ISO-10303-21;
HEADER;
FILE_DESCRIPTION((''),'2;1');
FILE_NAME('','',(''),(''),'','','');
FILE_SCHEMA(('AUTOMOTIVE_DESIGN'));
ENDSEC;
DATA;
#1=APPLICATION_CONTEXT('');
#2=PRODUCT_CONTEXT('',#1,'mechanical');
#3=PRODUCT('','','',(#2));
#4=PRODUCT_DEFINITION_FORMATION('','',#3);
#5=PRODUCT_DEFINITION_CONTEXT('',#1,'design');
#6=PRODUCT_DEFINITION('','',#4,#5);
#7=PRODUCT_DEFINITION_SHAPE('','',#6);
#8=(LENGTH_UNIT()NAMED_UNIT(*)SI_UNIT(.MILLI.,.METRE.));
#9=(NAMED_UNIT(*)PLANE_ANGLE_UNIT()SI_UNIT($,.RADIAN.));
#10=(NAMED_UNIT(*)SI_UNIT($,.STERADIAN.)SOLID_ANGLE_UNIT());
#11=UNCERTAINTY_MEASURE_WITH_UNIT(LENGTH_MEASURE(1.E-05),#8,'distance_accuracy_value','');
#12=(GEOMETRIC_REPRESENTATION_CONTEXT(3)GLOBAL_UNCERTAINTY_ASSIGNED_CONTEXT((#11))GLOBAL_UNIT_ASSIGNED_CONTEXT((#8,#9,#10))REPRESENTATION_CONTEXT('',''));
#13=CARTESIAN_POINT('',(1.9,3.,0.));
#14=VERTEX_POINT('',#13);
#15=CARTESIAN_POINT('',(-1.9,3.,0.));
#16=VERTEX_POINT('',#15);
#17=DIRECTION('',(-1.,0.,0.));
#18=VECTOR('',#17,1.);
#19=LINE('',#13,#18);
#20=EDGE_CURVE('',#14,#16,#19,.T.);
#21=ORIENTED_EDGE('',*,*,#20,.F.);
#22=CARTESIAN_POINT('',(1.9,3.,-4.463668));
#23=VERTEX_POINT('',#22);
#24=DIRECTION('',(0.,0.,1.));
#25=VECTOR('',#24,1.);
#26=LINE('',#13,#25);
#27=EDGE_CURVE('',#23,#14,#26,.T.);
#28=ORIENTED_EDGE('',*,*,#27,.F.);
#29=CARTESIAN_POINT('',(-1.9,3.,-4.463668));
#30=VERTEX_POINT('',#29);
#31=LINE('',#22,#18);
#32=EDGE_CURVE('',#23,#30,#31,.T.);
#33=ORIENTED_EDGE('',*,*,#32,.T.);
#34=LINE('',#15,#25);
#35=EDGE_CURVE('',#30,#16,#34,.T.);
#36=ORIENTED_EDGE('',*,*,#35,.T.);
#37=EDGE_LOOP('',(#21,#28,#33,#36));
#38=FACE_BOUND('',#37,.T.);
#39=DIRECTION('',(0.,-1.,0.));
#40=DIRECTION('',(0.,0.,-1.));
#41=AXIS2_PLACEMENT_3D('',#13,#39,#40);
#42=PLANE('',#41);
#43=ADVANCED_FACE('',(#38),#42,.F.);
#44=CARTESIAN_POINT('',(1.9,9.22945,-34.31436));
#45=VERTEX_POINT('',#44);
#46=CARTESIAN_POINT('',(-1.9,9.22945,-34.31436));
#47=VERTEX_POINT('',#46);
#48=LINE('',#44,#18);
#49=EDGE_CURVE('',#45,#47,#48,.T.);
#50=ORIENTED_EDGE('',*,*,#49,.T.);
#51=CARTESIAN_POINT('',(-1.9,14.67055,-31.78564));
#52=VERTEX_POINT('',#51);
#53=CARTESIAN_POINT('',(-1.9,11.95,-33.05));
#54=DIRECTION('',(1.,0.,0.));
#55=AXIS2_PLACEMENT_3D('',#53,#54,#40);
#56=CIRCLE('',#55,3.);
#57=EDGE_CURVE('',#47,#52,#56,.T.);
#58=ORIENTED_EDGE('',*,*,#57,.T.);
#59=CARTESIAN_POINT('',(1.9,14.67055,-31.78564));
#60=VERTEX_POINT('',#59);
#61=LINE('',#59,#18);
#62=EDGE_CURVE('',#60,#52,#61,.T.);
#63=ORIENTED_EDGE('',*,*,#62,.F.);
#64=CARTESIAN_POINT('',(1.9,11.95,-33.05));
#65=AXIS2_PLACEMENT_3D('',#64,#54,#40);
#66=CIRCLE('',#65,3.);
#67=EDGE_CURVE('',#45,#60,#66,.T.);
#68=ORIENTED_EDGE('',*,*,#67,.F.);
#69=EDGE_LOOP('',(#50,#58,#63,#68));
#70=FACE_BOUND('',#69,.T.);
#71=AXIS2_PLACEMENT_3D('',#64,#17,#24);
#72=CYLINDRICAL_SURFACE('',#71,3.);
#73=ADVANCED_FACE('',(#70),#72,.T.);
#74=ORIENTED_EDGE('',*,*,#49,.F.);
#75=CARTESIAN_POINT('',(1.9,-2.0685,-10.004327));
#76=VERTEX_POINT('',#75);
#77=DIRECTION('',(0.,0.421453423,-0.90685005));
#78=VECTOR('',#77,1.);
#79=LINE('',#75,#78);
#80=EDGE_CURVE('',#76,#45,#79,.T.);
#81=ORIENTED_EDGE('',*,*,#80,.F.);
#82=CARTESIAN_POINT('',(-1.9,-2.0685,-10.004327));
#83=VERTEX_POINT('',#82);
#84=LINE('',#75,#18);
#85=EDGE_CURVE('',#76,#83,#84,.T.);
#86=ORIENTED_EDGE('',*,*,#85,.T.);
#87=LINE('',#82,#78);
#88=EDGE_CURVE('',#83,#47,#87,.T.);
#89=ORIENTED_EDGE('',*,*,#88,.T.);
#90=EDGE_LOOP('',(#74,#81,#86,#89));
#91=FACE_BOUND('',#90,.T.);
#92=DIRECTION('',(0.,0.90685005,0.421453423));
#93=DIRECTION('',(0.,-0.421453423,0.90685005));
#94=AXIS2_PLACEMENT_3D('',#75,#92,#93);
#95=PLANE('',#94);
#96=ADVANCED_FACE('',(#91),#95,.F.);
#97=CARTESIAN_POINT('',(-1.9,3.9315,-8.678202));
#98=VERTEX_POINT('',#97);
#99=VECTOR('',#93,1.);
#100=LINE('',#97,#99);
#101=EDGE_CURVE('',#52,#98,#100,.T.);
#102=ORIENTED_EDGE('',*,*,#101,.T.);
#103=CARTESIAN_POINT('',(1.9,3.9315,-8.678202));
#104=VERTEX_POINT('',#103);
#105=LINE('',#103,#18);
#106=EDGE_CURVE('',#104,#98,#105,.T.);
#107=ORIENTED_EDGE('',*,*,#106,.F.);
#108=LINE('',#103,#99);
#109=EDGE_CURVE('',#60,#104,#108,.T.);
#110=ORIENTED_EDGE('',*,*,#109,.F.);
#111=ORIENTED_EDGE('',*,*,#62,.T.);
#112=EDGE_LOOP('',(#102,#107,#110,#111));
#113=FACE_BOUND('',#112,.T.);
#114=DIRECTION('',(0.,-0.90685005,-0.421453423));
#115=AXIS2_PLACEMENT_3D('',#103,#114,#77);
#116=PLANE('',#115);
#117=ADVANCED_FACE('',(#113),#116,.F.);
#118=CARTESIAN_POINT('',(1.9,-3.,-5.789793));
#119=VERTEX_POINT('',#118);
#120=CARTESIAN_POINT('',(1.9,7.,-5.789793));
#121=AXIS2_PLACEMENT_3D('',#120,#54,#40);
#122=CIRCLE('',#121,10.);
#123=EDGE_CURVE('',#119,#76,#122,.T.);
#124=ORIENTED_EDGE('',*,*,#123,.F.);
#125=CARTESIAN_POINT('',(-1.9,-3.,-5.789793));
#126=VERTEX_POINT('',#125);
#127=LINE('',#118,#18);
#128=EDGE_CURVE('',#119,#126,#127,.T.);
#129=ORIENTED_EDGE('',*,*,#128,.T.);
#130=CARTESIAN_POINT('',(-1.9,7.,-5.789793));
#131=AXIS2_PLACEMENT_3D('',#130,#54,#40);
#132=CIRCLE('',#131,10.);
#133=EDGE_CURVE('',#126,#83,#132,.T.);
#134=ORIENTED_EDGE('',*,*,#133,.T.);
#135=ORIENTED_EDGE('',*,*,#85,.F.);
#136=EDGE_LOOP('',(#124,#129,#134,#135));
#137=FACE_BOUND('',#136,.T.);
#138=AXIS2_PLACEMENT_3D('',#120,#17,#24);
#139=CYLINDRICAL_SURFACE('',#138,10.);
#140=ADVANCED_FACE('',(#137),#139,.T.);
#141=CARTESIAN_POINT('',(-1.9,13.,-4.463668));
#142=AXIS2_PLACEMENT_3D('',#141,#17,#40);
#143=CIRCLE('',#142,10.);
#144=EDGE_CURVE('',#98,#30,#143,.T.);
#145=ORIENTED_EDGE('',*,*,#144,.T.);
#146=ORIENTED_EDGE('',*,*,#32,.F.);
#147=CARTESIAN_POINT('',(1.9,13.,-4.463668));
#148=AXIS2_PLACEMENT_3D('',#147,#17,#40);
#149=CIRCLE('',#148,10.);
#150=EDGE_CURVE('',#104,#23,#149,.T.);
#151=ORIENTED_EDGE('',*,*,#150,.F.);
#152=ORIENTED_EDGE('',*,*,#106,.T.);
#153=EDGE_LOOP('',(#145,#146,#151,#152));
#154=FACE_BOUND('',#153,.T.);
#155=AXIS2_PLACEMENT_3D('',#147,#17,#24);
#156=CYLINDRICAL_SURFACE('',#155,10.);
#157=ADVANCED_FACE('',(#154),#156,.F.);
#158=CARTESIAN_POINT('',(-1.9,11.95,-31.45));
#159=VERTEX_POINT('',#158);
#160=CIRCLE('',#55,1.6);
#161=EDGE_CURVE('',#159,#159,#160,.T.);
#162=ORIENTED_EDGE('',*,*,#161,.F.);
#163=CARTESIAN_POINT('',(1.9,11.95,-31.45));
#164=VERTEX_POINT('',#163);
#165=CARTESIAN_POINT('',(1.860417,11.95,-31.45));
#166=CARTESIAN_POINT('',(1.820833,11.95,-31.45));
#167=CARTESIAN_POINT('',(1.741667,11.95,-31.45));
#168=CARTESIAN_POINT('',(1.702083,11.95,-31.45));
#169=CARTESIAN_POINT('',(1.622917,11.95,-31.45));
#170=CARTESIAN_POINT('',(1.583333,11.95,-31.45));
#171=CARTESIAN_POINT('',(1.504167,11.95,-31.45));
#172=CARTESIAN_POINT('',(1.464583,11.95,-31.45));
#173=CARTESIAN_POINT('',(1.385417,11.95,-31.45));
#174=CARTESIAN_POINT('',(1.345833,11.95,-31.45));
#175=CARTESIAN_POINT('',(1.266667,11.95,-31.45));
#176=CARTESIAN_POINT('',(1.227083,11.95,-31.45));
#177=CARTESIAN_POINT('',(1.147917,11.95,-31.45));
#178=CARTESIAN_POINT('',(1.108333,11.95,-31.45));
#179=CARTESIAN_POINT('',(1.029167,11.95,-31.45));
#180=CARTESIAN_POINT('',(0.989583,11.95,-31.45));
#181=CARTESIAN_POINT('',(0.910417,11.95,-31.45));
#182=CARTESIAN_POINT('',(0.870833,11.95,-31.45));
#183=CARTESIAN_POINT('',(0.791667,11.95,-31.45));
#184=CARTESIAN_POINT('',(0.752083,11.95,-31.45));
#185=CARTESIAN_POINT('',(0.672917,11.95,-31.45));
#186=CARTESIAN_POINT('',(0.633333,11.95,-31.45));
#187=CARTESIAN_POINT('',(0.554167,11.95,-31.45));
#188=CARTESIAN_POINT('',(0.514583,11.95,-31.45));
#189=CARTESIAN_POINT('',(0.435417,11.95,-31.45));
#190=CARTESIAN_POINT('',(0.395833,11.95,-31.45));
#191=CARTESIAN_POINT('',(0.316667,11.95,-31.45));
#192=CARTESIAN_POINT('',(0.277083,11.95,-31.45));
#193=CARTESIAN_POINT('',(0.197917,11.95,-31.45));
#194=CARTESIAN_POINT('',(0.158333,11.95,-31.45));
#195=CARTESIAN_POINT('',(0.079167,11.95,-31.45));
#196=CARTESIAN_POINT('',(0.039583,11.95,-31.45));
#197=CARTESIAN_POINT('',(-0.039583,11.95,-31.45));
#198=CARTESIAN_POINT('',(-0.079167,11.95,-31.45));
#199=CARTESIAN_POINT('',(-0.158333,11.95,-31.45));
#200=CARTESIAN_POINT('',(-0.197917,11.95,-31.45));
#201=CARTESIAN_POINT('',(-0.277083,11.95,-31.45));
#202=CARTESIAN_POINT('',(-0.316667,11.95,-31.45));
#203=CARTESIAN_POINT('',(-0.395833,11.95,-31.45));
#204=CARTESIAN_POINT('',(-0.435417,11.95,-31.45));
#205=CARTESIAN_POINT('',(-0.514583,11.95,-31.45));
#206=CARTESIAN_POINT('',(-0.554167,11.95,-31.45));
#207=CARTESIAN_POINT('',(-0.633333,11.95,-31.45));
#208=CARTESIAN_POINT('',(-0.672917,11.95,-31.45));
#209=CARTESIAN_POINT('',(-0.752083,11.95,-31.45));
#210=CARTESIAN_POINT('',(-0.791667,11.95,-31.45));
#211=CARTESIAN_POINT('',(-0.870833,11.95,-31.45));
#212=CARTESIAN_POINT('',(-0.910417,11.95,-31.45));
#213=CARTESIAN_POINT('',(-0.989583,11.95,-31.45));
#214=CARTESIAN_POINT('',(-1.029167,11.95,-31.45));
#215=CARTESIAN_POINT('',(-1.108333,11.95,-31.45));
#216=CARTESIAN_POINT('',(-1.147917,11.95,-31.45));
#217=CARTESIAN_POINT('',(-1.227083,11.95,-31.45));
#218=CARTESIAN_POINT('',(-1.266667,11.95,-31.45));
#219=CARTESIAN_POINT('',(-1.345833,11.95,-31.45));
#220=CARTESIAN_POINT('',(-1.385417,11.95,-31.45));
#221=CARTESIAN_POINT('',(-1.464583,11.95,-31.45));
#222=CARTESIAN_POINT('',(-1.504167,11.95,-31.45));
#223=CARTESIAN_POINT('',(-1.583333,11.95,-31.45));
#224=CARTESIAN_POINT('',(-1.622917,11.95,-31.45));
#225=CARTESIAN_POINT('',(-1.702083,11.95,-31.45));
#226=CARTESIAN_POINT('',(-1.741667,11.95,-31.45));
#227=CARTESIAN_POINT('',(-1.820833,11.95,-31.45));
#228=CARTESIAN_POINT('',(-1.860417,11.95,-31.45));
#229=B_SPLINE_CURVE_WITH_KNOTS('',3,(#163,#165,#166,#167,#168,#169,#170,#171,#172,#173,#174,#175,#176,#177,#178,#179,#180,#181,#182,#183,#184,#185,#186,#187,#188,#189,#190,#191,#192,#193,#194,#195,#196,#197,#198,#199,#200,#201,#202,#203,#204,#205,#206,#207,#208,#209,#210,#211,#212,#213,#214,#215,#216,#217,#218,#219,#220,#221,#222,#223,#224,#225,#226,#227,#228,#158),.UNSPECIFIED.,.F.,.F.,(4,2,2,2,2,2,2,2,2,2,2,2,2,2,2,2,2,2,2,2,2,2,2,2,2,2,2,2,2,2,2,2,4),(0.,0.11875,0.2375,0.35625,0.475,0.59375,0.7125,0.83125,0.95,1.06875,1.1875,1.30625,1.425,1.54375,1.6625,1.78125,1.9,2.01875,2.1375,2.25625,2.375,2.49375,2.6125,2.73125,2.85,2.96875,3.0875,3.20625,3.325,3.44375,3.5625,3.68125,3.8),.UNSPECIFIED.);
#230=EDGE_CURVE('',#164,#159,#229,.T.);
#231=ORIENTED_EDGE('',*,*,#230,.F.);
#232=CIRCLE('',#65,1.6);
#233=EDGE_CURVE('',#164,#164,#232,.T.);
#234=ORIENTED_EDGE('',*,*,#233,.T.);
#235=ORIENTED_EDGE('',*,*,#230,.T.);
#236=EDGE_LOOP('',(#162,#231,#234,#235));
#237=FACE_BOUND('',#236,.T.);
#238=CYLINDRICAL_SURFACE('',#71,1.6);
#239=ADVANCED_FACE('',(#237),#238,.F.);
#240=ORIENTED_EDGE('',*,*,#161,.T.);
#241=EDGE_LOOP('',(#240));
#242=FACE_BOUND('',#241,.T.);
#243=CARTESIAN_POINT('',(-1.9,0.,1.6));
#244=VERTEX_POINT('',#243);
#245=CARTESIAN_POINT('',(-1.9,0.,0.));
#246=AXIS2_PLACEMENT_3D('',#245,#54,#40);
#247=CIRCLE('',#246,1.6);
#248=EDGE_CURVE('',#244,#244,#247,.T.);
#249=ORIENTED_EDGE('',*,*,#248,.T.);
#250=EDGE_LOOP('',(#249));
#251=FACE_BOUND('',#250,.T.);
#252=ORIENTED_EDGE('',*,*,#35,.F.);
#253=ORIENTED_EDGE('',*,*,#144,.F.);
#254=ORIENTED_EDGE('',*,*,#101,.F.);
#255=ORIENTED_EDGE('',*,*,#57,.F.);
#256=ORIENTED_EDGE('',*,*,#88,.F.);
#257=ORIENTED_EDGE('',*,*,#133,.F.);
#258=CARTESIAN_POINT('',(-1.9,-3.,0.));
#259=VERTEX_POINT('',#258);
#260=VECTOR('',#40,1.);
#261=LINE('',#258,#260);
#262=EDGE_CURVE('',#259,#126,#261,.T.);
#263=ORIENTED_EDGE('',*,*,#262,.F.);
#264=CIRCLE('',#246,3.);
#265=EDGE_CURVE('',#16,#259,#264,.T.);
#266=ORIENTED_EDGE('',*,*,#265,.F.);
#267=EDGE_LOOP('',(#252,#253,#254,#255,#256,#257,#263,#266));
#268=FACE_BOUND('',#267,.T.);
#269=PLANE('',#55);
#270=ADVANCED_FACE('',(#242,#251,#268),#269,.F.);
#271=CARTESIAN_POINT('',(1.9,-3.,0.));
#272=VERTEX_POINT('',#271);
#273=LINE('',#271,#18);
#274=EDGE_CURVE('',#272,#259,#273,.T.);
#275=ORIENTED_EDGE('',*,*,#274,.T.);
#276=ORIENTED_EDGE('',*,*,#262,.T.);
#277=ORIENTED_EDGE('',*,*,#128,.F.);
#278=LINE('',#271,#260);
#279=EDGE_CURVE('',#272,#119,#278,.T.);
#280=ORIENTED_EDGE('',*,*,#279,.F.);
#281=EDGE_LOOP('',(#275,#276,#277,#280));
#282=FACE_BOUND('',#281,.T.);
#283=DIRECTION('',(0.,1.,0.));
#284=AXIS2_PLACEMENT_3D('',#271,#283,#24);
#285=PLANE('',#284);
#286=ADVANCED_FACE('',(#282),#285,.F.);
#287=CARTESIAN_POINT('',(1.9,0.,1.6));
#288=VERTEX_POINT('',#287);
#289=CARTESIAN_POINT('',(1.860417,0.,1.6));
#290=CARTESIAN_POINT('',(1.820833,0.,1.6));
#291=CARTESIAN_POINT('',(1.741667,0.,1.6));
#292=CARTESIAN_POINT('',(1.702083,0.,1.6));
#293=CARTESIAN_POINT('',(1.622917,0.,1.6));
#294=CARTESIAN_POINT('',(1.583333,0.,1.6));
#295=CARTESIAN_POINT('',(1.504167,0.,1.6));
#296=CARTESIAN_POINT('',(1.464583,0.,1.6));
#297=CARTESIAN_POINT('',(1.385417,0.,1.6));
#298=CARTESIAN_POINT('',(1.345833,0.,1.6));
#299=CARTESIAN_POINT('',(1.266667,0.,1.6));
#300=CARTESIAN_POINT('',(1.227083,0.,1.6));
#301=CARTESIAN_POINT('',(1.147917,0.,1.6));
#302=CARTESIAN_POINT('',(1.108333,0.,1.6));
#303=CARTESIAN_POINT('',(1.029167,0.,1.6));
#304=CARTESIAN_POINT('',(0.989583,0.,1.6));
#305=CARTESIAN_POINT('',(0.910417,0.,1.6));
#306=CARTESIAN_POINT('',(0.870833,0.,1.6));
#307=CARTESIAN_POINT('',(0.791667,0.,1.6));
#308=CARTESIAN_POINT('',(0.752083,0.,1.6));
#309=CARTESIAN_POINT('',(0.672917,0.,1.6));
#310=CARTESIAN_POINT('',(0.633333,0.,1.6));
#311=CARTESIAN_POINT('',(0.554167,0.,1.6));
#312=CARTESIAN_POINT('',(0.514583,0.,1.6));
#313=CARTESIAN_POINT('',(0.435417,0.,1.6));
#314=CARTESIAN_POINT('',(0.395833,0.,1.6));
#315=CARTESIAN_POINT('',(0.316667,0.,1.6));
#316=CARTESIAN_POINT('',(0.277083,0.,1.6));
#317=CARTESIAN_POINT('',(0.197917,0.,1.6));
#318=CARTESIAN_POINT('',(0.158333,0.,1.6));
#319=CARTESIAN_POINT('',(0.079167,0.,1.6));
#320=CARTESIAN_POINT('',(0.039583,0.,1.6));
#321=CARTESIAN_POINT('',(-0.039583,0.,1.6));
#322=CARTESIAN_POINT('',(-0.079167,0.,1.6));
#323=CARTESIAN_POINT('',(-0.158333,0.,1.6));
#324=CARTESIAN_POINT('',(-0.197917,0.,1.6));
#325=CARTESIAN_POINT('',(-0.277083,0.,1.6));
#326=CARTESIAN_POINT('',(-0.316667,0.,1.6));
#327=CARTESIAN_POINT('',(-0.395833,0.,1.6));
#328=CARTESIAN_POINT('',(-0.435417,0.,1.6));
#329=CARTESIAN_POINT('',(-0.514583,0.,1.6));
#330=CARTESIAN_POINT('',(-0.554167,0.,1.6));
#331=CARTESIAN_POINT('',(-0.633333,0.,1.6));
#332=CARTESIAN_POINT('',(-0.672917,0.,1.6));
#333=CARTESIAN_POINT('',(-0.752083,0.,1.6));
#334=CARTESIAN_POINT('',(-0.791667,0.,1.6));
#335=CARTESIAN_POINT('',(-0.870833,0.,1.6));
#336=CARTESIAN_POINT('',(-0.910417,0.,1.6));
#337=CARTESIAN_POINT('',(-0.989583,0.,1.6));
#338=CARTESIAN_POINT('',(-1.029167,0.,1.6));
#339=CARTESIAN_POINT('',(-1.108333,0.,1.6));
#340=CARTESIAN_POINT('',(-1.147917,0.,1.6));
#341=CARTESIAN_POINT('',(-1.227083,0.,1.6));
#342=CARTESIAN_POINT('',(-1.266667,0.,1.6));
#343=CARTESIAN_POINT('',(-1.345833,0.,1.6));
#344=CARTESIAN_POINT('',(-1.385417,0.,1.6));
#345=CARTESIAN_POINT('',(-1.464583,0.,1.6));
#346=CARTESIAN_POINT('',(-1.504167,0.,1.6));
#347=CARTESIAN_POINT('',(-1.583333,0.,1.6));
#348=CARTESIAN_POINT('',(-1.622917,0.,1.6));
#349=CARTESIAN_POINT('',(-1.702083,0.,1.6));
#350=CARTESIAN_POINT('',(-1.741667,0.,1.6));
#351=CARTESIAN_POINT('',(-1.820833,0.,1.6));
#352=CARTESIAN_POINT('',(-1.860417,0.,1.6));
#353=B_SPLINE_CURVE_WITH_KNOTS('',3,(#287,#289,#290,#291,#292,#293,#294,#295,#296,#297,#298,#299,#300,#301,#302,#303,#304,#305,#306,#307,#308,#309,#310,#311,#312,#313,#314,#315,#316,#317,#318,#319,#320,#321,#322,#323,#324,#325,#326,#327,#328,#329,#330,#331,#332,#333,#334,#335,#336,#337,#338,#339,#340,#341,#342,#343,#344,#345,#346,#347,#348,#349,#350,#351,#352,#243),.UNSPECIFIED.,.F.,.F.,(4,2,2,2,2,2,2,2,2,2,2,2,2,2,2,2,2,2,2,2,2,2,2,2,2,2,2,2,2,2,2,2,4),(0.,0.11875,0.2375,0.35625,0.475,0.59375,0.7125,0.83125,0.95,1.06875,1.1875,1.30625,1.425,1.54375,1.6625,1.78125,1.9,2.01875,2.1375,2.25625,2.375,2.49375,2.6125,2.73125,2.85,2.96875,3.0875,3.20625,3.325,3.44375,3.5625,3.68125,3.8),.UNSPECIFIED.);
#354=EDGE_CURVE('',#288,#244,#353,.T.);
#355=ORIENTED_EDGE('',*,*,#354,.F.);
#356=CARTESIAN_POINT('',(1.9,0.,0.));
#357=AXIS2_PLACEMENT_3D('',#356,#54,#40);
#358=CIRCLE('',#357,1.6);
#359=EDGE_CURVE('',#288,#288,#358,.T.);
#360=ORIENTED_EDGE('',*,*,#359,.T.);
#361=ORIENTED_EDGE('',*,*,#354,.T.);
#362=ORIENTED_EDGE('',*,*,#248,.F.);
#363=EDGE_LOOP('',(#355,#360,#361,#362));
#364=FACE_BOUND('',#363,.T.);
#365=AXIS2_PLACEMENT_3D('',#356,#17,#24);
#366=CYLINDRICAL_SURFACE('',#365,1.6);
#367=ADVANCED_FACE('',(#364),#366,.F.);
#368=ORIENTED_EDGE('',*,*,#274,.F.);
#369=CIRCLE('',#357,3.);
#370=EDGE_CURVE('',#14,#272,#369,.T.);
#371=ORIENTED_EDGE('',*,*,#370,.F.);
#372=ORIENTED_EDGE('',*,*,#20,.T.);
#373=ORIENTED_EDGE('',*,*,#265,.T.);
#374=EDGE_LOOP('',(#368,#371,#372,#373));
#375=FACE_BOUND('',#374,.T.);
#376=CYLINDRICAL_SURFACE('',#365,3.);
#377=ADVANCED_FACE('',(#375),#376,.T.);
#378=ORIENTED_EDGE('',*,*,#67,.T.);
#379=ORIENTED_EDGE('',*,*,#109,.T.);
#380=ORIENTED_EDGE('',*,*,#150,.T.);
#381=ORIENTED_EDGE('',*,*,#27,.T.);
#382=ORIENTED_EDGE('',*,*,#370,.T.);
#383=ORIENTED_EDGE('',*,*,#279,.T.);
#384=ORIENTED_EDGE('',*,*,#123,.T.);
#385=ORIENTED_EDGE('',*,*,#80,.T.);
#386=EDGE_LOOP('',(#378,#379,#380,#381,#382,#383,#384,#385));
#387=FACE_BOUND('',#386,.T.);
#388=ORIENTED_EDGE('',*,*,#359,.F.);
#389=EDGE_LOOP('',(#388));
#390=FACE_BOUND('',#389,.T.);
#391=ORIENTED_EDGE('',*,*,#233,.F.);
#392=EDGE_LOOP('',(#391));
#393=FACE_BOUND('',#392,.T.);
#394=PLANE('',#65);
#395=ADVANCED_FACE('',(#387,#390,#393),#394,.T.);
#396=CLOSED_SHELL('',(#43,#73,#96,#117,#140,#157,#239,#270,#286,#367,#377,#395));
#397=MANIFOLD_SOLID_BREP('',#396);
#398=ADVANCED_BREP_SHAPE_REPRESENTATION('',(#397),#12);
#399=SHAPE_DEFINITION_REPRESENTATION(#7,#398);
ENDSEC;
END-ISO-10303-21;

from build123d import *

# Parameters (mm, degrees)
SKETCH1_R           = 1.6
BOSS_EXTRUDE1_DEPTH = 1.9


with BuildPart() as part:
    # Sketch1 → Boss-Extrude1 (new, symmetric)
    with BuildSketch(Plane(origin=(0, 0, 0), x_dir=(0, 0, -1), z_dir=(1, 0, 0))):
        with BuildLine():
            Line((0, -3), (5.789792528, -3))
            ThreePointArc((5.789792528, -3), (7.947916139, -2.764348543), (10.004326756, -2.068500496))
            Line((10.004326756, -2.068500496), (34.314360268, 9.229449851))
            ThreePointArc((34.314360268, 9.229449851), (35.770550149, 13.214360268), (31.785639732, 14.670550149))
            Line((31.785639732, 14.670550149), (8.678202272, 3.931499504))
            ThreePointArc((8.678202272, 3.931499504), (6.621791656, 3.235651457), (4.463668044, 3))
            Line((4.463668044, 3), (0, 3))
            ThreePointArc((0, 3), (-3, 0), (0, -3))
        make_face()
        with Locations(Location((0, 0, 0), (0, 0, 180))):
            Circle(SKETCH1_R, mode=Mode.SUBTRACT)
        with Locations(Location((33.05, 11.95, 0), (0, 0, 180))):
            Circle(SKETCH1_R, mode=Mode.SUBTRACT)
    extrude(amount=BOSS_EXTRUDE1_DEPTH, both=True)


solid = part.part
